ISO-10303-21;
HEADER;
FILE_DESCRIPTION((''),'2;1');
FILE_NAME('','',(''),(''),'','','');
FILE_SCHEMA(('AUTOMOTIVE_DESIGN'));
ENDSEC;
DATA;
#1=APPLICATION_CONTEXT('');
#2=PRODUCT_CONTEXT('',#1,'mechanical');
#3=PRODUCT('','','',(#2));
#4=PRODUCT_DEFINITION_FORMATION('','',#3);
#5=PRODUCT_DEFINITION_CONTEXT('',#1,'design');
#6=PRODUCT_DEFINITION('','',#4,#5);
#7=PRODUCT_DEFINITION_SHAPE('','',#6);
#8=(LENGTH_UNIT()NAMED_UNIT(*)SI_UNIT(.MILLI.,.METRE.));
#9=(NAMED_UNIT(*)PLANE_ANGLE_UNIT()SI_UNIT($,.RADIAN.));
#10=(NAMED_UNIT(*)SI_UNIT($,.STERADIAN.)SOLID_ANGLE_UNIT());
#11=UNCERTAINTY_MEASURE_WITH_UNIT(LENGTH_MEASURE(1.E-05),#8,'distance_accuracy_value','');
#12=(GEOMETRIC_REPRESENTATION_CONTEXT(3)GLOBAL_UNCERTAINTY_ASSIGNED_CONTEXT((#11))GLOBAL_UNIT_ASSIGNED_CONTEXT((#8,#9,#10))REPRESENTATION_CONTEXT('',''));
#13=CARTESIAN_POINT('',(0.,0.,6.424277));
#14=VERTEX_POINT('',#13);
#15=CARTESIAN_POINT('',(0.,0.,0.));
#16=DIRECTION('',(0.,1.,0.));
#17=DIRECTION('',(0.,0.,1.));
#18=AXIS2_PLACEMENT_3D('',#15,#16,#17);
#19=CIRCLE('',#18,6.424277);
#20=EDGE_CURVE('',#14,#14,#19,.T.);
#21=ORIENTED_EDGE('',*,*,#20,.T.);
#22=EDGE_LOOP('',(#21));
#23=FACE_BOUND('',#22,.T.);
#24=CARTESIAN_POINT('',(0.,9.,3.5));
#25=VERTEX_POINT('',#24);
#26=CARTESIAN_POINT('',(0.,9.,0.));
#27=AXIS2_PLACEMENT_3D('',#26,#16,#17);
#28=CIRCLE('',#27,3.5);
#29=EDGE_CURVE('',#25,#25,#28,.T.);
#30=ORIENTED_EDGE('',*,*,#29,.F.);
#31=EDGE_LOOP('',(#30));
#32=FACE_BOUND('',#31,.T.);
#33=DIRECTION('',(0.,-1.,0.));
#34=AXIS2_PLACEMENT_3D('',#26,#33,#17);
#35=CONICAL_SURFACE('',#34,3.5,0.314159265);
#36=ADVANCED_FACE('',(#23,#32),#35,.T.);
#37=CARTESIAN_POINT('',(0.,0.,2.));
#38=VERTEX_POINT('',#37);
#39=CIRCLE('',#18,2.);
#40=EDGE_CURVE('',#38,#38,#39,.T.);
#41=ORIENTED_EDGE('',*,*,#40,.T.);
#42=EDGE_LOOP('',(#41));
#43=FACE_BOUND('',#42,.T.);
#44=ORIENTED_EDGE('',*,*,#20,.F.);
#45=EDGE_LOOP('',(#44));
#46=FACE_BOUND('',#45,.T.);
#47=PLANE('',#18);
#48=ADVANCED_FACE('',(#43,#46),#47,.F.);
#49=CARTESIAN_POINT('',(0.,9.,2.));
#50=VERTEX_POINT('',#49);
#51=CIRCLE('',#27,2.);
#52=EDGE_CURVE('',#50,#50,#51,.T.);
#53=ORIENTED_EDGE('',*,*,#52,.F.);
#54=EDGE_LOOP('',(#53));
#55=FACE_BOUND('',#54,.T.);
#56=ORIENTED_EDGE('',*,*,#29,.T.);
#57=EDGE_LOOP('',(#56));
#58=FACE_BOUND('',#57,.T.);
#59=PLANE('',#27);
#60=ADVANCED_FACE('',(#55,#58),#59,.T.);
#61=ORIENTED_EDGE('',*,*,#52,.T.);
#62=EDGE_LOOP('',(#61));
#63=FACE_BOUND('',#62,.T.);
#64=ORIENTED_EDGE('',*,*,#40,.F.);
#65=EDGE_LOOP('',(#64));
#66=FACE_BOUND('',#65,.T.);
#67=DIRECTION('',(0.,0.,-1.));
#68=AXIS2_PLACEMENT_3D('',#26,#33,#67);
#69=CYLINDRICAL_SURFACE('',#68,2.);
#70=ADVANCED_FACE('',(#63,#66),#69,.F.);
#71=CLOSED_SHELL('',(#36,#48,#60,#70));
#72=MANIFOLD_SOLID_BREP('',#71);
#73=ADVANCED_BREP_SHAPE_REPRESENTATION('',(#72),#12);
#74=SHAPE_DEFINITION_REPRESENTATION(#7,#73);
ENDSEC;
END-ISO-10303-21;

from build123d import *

# Parameters (mm, degrees)
SKETCH1_R      = 3.5
SKETCH1_R_2    = 2
EXTRUDE1_DEPTH = 9
DRAFT7_ANGLE   = 18


with BuildPart() as part:
    # Sketch1 → Extrude1 (new body)
    with BuildSketch(Plane(origin=(0, 0, 0), x_dir=(1, 0, 0), z_dir=(0, 1, 0))):
        with Locations(Location((0, 0, 0), (0, 0, 270))):
            Circle(SKETCH1_R)
        with Locations(Location((0, 0, 0), (0, 0, 270))):
            Circle(SKETCH1_R_2, mode=Mode.SUBTRACT)
    extrude(amount=EXTRUDE1_DEPTH)

    # Draft7
    draft7_faces = [part.faces().sort_by_distance(p)[0] for p in [
        (0, 4.5, -3.5),
    ]]
    draft(draft7_faces, Plane.ZX.offset(9), DRAFT7_ANGLE)


solid = part.part
